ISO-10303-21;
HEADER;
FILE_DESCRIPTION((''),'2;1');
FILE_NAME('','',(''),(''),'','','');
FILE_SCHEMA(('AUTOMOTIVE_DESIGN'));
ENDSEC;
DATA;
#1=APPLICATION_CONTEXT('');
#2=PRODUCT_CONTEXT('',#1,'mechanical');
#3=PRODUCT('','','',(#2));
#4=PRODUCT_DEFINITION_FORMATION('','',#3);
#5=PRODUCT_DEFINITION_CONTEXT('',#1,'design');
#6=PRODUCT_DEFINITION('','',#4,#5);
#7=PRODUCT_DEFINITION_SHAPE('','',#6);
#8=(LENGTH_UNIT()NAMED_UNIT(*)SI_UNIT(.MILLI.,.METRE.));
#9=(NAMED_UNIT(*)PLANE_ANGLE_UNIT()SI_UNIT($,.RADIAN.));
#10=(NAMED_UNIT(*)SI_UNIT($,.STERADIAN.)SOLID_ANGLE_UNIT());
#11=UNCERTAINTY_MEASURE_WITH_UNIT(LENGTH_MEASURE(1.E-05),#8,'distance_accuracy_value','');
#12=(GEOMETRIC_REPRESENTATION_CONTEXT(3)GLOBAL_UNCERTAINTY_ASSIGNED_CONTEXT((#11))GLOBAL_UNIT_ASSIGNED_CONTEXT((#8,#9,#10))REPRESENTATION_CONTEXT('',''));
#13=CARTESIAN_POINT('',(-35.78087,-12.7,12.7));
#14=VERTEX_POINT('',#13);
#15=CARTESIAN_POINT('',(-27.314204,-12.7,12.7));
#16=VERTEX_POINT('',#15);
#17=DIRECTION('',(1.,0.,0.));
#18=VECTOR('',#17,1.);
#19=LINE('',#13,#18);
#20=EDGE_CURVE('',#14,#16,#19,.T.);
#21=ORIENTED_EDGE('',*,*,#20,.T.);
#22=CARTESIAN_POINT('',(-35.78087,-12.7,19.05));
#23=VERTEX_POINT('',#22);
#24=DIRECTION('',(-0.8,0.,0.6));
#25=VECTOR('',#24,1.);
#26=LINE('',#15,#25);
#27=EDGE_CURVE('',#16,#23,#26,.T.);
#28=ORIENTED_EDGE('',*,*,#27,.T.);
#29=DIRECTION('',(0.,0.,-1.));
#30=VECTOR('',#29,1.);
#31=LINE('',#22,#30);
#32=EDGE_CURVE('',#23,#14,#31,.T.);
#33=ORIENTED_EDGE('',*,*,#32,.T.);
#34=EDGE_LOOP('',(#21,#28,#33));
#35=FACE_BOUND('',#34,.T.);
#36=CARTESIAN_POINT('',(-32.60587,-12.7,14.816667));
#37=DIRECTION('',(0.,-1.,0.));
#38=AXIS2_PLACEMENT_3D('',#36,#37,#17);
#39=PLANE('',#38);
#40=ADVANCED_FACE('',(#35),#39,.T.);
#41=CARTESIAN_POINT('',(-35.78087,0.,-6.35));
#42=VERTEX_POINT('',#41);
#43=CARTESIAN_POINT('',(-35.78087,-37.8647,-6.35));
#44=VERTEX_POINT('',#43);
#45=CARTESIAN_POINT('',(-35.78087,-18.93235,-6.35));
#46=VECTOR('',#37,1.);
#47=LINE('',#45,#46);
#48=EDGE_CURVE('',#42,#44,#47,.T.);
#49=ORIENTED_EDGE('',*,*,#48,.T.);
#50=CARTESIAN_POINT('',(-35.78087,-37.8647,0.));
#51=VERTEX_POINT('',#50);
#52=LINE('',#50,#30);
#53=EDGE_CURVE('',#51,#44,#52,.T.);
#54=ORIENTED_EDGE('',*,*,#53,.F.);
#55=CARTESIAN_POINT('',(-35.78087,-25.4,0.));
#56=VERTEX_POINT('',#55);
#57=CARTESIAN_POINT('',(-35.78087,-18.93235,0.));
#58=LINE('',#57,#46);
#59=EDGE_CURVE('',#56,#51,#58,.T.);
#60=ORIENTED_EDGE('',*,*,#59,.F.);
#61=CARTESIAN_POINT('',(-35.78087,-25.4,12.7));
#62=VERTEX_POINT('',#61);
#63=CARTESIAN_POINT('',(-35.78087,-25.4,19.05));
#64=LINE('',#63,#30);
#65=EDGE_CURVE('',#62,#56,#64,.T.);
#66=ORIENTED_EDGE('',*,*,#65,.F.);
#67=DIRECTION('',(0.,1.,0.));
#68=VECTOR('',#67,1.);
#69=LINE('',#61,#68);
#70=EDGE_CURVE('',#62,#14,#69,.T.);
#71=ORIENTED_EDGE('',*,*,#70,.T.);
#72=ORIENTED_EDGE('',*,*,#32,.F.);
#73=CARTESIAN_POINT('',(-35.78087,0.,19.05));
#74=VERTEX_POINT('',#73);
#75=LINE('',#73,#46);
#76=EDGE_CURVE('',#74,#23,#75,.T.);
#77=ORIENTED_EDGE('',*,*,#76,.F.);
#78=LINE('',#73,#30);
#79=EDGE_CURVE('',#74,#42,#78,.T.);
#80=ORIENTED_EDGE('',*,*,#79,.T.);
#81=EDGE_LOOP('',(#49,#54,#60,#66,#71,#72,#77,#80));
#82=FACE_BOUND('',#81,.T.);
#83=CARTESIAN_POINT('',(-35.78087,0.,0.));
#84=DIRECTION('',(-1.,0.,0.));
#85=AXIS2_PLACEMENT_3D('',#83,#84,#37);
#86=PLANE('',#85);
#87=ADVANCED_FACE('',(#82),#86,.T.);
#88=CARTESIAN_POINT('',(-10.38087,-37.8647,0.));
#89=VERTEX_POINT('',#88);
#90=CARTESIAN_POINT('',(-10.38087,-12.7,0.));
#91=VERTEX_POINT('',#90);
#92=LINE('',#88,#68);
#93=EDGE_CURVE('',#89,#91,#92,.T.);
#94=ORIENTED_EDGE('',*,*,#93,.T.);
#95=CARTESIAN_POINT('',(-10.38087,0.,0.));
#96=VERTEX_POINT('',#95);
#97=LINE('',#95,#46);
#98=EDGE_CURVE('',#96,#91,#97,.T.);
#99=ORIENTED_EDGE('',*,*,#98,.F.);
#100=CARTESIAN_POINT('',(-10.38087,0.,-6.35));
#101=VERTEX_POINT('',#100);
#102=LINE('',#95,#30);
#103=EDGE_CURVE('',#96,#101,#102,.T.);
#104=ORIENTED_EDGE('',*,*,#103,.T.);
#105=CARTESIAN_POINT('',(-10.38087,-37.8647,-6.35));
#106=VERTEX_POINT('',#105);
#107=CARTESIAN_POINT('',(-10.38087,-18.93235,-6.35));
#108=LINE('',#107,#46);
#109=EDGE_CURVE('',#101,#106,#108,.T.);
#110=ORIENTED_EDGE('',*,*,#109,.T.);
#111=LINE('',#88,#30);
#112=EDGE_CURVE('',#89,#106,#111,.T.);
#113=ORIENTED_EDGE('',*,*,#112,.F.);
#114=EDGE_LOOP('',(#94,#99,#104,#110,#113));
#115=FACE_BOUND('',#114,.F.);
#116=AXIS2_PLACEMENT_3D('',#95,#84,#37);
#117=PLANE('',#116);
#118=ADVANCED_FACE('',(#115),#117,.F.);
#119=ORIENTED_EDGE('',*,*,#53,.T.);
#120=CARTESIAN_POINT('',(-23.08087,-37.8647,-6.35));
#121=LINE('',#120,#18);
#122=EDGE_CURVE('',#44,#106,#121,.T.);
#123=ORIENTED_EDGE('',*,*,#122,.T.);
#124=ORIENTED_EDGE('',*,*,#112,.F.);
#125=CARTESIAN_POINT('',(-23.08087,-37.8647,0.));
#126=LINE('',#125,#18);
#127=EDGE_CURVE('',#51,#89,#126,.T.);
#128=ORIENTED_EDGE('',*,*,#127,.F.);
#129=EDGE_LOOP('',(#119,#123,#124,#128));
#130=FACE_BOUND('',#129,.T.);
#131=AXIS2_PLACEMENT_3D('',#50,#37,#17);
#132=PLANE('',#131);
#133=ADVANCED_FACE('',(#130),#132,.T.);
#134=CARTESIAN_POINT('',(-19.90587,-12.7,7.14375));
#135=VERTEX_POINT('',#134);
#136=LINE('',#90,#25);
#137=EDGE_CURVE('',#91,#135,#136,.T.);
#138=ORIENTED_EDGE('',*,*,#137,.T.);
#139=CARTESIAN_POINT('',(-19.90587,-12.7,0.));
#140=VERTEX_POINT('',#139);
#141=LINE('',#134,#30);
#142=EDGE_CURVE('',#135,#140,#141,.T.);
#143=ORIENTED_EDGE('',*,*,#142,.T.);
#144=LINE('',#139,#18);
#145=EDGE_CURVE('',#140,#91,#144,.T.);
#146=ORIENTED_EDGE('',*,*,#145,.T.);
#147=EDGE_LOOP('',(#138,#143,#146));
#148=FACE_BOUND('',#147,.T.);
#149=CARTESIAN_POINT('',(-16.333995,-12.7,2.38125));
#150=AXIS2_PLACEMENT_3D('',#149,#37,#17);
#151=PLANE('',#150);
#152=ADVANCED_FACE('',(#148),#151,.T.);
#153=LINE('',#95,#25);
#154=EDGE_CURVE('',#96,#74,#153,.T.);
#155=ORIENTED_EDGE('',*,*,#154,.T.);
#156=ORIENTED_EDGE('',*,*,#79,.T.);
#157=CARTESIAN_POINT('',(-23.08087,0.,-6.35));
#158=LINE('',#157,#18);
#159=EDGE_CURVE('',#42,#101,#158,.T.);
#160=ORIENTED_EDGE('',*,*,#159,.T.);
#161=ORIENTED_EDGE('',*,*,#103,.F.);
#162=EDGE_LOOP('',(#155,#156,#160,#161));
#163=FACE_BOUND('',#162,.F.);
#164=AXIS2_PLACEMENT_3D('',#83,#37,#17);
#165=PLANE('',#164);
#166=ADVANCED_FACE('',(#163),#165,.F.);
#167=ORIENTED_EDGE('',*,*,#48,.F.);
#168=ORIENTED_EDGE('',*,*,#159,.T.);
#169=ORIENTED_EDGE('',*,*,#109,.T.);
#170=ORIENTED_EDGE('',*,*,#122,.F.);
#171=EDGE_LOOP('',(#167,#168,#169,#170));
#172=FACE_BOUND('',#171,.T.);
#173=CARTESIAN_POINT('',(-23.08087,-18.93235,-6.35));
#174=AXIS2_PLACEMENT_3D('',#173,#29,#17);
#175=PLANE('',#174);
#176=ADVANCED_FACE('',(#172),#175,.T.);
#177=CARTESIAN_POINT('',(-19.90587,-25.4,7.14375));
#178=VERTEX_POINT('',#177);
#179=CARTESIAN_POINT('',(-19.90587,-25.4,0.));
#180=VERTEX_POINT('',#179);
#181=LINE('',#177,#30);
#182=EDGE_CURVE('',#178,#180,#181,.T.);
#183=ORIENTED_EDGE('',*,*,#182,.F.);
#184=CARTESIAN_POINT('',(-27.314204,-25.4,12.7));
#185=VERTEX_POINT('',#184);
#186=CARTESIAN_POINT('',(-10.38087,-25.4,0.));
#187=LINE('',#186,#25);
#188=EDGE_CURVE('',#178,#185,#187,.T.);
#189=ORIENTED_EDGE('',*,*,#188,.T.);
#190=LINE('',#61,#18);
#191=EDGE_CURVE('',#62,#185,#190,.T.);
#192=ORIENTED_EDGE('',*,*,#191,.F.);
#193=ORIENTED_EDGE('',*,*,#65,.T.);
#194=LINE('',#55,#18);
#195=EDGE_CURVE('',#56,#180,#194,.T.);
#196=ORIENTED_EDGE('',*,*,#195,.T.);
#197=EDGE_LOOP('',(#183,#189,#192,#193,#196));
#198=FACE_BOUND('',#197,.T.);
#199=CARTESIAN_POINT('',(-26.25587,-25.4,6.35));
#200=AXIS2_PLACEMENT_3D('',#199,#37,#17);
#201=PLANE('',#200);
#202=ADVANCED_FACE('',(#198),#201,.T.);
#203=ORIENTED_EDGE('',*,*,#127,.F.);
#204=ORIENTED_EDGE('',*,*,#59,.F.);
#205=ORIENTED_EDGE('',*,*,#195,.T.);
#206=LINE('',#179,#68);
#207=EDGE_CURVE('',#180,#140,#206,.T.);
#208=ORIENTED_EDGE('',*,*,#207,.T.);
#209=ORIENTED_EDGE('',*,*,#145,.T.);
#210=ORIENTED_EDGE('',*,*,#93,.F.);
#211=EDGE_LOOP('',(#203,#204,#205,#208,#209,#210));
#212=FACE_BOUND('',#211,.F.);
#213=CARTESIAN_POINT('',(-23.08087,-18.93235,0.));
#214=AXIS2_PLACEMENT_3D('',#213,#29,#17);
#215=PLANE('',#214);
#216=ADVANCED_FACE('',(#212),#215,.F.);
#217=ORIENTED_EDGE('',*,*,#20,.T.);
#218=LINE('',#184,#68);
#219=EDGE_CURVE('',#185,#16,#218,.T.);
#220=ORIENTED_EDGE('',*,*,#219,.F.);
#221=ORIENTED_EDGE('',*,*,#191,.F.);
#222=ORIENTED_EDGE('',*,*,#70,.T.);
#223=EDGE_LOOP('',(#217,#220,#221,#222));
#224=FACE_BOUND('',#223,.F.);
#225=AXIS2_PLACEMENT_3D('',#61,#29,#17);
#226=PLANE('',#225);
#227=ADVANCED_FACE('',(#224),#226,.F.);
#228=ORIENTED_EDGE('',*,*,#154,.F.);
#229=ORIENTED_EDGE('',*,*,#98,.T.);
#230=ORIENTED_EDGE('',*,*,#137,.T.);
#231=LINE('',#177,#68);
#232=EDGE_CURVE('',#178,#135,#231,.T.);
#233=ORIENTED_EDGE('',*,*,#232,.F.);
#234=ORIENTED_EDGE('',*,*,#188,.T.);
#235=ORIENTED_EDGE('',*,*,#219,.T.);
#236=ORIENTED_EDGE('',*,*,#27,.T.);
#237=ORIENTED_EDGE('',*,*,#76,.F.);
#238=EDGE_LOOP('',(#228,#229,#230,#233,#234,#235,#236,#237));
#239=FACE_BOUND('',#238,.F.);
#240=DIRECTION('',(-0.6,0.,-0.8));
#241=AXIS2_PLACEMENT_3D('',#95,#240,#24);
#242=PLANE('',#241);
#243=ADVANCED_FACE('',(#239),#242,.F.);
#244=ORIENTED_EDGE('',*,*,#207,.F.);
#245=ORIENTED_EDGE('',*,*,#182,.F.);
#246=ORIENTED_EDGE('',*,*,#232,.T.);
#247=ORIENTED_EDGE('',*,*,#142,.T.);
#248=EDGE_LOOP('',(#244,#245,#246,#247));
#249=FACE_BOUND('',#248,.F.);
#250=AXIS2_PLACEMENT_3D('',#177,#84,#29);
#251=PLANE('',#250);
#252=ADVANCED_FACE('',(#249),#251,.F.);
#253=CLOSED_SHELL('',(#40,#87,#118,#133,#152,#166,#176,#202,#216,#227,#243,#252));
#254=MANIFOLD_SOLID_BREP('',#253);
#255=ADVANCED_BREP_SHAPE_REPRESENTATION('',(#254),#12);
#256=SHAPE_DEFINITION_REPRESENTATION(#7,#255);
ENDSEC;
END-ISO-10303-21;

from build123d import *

# Parameters (mm, degrees)
F1_DEPTH = 25.4
F2_W     = 25.4
F2_H     = 37.8646999598
F3_DEPTH = 6.35
F5_DEPTH = 12.7
F7_DEPTH = 12.7


with BuildPart() as f1:
    # F0 (on Front) → F1 (new body)
    with BuildSketch(Plane.XZ):
        Polygon((-35.7808704906, 19.05), (-35.7808704906, 0), (-10.3808704906, 0), align=None)
    extrude(amount=F1_DEPTH)

    # F2 (on face) → F3 (join)
    with BuildSketch(Plane(origin=(0, 0, 0), x_dir=(1, 0, 0), z_dir=(0, 0, -1))):
        with Locations((-23.0808704906, 18.9323499799)):
            Rectangle(F2_W, F2_H)
    extrude(amount=F3_DEPTH)

    # F4 (on face) → F5 (cut)
    with BuildSketch(Plane.XZ.offset(25.4)):
        Polygon((-10.3808704906, 0), (-19.9058704906, 7.14375), (-19.9058704906, 0), align=None)
    extrude(amount=-F5_DEPTH, mode=Mode.SUBTRACT)

    # F6 (on face) → F7 (cut)
    with BuildSketch(Plane.XZ.offset(25.4)):
        Polygon((-35.7808704906, 19.05), (-35.7808704906, 12.7), (-27.3142038239, 12.7), align=None)
    extrude(amount=-F7_DEPTH, mode=Mode.SUBTRACT)


solid = f1.part
